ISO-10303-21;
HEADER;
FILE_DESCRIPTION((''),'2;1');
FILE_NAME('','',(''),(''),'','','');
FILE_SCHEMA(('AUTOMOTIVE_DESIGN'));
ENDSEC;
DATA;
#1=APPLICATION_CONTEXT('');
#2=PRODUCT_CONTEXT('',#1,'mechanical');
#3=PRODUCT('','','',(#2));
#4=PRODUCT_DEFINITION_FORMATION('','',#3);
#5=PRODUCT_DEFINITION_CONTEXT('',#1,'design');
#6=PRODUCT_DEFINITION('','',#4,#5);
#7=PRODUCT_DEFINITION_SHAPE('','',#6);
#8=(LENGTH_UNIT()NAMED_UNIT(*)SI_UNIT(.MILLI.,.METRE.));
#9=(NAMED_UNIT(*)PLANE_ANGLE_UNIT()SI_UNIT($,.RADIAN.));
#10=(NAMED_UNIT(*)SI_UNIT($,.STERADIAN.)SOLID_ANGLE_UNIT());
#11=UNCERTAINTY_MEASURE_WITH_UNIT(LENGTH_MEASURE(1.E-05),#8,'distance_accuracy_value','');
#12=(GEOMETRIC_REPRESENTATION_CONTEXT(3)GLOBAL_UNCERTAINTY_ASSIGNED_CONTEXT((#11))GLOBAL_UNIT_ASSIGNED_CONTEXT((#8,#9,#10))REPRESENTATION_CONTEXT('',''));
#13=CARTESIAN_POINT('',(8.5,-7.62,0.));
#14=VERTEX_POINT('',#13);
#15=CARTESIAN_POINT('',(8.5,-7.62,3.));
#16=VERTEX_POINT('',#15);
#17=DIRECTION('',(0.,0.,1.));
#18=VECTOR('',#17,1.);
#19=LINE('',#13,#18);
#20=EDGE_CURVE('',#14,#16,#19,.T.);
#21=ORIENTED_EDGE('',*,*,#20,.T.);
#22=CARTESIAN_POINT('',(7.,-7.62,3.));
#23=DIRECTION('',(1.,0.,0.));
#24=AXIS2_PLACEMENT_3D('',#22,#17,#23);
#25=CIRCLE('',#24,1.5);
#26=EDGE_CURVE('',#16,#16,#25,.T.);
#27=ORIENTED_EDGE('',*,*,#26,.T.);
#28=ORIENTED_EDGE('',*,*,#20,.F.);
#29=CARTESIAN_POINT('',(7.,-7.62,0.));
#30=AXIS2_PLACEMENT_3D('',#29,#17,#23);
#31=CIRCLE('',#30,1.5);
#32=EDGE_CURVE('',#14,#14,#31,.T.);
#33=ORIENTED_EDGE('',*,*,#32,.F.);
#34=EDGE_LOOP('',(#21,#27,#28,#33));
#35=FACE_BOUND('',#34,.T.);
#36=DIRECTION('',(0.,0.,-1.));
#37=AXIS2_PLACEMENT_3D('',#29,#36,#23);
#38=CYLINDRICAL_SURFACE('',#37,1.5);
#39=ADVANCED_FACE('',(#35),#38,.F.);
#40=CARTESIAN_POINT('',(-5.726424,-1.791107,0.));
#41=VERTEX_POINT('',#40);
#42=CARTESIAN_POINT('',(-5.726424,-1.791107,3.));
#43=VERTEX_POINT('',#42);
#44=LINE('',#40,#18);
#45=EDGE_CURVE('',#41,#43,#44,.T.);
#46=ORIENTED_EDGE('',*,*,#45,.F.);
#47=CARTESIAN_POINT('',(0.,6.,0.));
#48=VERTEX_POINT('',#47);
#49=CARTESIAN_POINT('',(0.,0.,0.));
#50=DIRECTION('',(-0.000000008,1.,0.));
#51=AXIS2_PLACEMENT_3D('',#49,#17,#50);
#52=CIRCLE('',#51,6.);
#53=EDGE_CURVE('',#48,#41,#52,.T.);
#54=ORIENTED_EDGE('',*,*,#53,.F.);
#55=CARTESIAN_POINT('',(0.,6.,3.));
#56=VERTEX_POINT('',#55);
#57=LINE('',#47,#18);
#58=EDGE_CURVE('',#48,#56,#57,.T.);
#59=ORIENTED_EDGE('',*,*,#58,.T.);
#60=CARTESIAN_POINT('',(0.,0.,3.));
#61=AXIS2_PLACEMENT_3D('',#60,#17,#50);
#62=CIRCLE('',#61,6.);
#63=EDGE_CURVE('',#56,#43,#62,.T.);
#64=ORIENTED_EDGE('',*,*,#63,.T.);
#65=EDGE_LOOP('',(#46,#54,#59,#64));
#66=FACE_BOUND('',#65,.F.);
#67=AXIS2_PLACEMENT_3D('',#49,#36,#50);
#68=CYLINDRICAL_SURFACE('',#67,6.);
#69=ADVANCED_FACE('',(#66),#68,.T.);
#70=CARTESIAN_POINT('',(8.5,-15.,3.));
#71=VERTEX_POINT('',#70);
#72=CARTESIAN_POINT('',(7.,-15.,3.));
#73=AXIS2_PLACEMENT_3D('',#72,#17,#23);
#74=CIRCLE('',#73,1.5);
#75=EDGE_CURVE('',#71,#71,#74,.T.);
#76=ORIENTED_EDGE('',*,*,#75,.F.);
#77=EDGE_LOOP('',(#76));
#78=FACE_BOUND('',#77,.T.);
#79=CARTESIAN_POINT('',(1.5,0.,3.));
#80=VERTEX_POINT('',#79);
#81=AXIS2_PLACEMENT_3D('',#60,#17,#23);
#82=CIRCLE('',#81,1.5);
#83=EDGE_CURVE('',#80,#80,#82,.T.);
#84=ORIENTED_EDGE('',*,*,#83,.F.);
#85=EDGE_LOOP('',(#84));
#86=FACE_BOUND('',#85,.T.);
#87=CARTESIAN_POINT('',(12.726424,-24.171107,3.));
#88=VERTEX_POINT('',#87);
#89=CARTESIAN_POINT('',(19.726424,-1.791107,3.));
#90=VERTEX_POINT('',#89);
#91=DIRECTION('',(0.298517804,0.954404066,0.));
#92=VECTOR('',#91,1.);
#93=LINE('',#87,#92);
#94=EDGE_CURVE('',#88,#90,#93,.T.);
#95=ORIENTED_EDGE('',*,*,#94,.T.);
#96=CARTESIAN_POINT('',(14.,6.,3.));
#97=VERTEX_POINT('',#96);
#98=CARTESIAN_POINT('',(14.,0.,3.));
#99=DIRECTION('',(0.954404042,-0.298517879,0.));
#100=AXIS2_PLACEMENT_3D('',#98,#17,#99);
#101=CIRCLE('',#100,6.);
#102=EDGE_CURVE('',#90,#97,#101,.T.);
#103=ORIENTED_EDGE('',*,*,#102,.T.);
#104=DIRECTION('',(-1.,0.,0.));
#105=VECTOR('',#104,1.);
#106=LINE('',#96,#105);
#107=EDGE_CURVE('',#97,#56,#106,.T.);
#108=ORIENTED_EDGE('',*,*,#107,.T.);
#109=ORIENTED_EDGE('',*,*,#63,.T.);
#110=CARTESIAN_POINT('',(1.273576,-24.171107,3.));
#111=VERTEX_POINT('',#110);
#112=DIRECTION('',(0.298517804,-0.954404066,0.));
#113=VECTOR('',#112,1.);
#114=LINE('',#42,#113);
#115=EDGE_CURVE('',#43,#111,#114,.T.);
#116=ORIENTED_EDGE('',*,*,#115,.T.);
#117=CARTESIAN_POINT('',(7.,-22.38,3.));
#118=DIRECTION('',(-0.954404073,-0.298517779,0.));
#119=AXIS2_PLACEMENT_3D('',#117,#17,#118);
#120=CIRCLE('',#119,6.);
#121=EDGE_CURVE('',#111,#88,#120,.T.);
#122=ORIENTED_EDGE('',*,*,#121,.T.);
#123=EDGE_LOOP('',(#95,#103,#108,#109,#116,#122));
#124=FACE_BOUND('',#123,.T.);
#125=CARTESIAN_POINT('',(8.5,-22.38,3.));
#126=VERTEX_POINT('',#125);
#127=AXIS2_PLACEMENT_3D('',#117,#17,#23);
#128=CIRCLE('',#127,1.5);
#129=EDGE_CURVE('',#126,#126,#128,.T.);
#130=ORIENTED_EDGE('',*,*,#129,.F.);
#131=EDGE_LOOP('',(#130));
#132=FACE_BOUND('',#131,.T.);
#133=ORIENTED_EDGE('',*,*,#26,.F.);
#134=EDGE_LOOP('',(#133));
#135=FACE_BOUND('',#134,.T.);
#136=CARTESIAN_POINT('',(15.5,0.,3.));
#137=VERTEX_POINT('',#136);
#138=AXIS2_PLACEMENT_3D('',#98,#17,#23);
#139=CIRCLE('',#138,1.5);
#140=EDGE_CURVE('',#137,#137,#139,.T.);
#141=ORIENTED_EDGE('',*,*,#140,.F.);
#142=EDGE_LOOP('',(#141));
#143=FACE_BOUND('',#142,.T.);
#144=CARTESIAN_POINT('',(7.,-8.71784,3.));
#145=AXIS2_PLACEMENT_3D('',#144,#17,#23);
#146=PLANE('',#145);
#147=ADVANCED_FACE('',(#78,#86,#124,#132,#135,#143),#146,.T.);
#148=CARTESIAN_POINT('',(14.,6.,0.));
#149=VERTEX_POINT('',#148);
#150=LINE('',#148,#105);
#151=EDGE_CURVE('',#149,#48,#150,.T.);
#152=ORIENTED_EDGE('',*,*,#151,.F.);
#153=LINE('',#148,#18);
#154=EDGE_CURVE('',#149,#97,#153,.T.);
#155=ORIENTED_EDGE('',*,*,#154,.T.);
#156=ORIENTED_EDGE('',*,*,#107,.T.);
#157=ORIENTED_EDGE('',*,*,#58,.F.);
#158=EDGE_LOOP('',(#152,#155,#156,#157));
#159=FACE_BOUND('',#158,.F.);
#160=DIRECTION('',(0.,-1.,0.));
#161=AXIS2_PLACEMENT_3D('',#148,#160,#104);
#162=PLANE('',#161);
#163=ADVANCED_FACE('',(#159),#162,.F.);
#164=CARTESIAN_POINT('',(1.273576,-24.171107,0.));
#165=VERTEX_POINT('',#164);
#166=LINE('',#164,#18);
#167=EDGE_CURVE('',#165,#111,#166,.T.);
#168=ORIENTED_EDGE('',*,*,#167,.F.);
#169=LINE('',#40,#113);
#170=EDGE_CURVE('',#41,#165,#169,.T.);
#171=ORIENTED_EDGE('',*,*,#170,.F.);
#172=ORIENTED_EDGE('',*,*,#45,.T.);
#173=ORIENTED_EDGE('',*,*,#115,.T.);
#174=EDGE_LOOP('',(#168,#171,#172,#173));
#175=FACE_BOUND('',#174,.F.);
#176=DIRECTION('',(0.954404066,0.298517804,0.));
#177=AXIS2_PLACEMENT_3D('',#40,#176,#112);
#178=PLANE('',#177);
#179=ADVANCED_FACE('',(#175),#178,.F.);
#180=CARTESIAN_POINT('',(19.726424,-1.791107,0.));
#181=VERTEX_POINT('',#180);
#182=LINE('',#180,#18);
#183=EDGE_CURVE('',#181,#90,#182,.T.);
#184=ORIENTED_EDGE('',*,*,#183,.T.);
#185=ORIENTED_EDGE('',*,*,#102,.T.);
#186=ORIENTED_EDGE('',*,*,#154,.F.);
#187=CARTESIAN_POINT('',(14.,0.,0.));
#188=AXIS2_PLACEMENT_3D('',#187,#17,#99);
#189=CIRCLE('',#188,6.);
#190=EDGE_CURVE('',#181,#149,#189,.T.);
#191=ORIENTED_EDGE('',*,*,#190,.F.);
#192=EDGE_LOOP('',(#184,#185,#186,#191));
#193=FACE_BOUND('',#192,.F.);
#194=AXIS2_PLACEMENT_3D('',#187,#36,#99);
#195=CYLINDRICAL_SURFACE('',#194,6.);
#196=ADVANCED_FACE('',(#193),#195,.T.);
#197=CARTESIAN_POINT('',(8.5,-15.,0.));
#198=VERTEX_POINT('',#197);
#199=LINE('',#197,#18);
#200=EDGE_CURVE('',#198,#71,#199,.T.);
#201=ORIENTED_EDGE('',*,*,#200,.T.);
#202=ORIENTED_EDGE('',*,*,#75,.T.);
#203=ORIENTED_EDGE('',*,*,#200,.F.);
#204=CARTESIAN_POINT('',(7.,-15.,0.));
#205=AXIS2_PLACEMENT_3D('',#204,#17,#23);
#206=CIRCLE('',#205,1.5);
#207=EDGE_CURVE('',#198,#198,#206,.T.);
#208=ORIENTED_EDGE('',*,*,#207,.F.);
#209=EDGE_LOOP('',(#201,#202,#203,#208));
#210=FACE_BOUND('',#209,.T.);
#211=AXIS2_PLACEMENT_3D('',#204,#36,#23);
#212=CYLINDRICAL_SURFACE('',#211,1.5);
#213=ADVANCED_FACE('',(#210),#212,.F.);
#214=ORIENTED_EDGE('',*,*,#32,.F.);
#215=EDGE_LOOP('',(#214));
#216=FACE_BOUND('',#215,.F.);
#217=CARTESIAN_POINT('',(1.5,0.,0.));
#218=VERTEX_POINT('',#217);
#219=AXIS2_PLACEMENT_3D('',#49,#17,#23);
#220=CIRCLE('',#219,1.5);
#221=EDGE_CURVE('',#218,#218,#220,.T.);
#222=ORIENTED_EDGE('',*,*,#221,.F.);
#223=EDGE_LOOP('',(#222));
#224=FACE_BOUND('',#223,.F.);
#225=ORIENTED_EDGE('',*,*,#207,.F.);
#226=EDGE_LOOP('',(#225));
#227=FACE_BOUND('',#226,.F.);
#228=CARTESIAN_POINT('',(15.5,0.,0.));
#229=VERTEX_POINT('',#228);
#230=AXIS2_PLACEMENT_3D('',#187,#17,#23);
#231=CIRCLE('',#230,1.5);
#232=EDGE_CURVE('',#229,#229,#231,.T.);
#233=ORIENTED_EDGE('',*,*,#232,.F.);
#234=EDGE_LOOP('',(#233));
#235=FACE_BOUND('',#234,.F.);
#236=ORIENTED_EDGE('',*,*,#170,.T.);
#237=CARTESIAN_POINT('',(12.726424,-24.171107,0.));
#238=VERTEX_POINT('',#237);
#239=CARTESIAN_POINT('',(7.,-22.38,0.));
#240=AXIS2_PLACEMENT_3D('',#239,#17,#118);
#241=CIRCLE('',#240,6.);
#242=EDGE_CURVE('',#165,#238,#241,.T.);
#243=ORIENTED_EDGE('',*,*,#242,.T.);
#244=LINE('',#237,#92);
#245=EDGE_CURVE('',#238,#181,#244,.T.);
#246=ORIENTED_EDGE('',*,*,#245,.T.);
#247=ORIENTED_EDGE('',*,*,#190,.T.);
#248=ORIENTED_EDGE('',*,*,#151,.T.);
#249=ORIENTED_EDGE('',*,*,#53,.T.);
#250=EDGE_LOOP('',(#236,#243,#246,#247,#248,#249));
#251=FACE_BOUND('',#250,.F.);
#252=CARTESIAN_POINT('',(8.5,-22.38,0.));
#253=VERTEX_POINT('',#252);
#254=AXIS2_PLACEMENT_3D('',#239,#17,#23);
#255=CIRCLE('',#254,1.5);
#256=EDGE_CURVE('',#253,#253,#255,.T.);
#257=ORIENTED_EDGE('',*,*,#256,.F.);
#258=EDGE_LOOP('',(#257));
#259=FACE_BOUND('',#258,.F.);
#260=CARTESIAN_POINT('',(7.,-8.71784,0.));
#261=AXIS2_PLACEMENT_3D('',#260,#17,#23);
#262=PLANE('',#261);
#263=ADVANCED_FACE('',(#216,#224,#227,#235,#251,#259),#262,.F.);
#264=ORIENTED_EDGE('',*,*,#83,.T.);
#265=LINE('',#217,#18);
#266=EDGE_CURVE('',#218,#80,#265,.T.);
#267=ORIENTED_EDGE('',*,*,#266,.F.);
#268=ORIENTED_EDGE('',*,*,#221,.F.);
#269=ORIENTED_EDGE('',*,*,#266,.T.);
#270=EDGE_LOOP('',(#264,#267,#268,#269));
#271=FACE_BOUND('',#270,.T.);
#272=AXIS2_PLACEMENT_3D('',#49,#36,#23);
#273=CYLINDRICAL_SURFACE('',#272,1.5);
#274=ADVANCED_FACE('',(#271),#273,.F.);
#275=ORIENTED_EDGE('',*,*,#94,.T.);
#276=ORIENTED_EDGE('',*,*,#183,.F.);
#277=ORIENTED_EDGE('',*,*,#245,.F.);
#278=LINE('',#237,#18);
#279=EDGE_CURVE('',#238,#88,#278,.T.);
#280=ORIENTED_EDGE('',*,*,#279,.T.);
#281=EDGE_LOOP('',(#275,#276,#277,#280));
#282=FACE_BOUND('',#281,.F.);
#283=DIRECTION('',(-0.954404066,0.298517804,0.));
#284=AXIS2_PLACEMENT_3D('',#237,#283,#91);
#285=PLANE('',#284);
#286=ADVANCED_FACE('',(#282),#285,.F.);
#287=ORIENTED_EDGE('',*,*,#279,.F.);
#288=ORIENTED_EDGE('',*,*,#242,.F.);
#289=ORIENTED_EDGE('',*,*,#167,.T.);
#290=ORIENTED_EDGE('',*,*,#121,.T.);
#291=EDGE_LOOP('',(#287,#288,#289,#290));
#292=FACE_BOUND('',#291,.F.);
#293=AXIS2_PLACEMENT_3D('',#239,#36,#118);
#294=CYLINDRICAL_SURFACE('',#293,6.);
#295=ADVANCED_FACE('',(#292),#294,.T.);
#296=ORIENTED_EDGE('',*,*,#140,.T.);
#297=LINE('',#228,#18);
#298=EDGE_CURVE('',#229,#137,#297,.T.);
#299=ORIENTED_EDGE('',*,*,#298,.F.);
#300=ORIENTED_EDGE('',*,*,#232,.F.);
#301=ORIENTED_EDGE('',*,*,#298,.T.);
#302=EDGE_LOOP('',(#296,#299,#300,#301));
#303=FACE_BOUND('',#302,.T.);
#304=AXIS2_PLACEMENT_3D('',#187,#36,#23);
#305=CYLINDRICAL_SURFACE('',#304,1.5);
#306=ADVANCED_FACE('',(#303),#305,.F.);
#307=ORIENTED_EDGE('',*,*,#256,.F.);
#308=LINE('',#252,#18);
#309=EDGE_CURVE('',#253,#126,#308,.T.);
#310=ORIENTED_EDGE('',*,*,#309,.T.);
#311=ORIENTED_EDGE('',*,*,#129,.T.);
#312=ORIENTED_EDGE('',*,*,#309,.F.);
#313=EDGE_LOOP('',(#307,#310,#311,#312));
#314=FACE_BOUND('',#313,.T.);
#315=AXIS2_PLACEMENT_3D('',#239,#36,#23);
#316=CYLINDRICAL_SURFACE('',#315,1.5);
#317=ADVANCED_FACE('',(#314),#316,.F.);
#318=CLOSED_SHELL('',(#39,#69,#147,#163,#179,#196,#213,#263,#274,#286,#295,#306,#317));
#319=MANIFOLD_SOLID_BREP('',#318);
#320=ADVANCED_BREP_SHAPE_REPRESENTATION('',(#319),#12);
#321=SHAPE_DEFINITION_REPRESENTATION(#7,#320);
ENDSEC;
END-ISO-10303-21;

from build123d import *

# Parameters (mm, degrees)
F0_R     = 1.5
F1_DEPTH = 3


with BuildPart() as f1:
    # F0 (on Top) → F1 (new body)
    with BuildSketch(Plane.XY):
        with BuildLine():
            Line((14, 6), (0, 6))
            ThreePointArc((0, 6), (-4.834596, 3.553404), (-5.726424, -1.791107))
            Line((-5.726424, -1.791107), (1.273576, -24.171107))
            ThreePointArc((1.273576, -24.171107), (7, -28.38), (12.726424, -24.171107))
            Line((12.726424, -24.171107), (19.726424, -1.791107))
            ThreePointArc((19.726424, -1.791107), (18.834596, 3.553404), (14, 6))
        make_face()
        with Locations((7, -22.38)):
            Circle(F0_R, mode=Mode.SUBTRACT)
        with Locations((7, -15)):
            Circle(F0_R, mode=Mode.SUBTRACT)
        with Locations((7, -7.62)):
            Circle(F0_R, mode=Mode.SUBTRACT)
        Circle(F0_R, mode=Mode.SUBTRACT)
        with Locations((14, 0)):
            Circle(F0_R, mode=Mode.SUBTRACT)
    extrude(amount=F1_DEPTH)


solid = f1.part
